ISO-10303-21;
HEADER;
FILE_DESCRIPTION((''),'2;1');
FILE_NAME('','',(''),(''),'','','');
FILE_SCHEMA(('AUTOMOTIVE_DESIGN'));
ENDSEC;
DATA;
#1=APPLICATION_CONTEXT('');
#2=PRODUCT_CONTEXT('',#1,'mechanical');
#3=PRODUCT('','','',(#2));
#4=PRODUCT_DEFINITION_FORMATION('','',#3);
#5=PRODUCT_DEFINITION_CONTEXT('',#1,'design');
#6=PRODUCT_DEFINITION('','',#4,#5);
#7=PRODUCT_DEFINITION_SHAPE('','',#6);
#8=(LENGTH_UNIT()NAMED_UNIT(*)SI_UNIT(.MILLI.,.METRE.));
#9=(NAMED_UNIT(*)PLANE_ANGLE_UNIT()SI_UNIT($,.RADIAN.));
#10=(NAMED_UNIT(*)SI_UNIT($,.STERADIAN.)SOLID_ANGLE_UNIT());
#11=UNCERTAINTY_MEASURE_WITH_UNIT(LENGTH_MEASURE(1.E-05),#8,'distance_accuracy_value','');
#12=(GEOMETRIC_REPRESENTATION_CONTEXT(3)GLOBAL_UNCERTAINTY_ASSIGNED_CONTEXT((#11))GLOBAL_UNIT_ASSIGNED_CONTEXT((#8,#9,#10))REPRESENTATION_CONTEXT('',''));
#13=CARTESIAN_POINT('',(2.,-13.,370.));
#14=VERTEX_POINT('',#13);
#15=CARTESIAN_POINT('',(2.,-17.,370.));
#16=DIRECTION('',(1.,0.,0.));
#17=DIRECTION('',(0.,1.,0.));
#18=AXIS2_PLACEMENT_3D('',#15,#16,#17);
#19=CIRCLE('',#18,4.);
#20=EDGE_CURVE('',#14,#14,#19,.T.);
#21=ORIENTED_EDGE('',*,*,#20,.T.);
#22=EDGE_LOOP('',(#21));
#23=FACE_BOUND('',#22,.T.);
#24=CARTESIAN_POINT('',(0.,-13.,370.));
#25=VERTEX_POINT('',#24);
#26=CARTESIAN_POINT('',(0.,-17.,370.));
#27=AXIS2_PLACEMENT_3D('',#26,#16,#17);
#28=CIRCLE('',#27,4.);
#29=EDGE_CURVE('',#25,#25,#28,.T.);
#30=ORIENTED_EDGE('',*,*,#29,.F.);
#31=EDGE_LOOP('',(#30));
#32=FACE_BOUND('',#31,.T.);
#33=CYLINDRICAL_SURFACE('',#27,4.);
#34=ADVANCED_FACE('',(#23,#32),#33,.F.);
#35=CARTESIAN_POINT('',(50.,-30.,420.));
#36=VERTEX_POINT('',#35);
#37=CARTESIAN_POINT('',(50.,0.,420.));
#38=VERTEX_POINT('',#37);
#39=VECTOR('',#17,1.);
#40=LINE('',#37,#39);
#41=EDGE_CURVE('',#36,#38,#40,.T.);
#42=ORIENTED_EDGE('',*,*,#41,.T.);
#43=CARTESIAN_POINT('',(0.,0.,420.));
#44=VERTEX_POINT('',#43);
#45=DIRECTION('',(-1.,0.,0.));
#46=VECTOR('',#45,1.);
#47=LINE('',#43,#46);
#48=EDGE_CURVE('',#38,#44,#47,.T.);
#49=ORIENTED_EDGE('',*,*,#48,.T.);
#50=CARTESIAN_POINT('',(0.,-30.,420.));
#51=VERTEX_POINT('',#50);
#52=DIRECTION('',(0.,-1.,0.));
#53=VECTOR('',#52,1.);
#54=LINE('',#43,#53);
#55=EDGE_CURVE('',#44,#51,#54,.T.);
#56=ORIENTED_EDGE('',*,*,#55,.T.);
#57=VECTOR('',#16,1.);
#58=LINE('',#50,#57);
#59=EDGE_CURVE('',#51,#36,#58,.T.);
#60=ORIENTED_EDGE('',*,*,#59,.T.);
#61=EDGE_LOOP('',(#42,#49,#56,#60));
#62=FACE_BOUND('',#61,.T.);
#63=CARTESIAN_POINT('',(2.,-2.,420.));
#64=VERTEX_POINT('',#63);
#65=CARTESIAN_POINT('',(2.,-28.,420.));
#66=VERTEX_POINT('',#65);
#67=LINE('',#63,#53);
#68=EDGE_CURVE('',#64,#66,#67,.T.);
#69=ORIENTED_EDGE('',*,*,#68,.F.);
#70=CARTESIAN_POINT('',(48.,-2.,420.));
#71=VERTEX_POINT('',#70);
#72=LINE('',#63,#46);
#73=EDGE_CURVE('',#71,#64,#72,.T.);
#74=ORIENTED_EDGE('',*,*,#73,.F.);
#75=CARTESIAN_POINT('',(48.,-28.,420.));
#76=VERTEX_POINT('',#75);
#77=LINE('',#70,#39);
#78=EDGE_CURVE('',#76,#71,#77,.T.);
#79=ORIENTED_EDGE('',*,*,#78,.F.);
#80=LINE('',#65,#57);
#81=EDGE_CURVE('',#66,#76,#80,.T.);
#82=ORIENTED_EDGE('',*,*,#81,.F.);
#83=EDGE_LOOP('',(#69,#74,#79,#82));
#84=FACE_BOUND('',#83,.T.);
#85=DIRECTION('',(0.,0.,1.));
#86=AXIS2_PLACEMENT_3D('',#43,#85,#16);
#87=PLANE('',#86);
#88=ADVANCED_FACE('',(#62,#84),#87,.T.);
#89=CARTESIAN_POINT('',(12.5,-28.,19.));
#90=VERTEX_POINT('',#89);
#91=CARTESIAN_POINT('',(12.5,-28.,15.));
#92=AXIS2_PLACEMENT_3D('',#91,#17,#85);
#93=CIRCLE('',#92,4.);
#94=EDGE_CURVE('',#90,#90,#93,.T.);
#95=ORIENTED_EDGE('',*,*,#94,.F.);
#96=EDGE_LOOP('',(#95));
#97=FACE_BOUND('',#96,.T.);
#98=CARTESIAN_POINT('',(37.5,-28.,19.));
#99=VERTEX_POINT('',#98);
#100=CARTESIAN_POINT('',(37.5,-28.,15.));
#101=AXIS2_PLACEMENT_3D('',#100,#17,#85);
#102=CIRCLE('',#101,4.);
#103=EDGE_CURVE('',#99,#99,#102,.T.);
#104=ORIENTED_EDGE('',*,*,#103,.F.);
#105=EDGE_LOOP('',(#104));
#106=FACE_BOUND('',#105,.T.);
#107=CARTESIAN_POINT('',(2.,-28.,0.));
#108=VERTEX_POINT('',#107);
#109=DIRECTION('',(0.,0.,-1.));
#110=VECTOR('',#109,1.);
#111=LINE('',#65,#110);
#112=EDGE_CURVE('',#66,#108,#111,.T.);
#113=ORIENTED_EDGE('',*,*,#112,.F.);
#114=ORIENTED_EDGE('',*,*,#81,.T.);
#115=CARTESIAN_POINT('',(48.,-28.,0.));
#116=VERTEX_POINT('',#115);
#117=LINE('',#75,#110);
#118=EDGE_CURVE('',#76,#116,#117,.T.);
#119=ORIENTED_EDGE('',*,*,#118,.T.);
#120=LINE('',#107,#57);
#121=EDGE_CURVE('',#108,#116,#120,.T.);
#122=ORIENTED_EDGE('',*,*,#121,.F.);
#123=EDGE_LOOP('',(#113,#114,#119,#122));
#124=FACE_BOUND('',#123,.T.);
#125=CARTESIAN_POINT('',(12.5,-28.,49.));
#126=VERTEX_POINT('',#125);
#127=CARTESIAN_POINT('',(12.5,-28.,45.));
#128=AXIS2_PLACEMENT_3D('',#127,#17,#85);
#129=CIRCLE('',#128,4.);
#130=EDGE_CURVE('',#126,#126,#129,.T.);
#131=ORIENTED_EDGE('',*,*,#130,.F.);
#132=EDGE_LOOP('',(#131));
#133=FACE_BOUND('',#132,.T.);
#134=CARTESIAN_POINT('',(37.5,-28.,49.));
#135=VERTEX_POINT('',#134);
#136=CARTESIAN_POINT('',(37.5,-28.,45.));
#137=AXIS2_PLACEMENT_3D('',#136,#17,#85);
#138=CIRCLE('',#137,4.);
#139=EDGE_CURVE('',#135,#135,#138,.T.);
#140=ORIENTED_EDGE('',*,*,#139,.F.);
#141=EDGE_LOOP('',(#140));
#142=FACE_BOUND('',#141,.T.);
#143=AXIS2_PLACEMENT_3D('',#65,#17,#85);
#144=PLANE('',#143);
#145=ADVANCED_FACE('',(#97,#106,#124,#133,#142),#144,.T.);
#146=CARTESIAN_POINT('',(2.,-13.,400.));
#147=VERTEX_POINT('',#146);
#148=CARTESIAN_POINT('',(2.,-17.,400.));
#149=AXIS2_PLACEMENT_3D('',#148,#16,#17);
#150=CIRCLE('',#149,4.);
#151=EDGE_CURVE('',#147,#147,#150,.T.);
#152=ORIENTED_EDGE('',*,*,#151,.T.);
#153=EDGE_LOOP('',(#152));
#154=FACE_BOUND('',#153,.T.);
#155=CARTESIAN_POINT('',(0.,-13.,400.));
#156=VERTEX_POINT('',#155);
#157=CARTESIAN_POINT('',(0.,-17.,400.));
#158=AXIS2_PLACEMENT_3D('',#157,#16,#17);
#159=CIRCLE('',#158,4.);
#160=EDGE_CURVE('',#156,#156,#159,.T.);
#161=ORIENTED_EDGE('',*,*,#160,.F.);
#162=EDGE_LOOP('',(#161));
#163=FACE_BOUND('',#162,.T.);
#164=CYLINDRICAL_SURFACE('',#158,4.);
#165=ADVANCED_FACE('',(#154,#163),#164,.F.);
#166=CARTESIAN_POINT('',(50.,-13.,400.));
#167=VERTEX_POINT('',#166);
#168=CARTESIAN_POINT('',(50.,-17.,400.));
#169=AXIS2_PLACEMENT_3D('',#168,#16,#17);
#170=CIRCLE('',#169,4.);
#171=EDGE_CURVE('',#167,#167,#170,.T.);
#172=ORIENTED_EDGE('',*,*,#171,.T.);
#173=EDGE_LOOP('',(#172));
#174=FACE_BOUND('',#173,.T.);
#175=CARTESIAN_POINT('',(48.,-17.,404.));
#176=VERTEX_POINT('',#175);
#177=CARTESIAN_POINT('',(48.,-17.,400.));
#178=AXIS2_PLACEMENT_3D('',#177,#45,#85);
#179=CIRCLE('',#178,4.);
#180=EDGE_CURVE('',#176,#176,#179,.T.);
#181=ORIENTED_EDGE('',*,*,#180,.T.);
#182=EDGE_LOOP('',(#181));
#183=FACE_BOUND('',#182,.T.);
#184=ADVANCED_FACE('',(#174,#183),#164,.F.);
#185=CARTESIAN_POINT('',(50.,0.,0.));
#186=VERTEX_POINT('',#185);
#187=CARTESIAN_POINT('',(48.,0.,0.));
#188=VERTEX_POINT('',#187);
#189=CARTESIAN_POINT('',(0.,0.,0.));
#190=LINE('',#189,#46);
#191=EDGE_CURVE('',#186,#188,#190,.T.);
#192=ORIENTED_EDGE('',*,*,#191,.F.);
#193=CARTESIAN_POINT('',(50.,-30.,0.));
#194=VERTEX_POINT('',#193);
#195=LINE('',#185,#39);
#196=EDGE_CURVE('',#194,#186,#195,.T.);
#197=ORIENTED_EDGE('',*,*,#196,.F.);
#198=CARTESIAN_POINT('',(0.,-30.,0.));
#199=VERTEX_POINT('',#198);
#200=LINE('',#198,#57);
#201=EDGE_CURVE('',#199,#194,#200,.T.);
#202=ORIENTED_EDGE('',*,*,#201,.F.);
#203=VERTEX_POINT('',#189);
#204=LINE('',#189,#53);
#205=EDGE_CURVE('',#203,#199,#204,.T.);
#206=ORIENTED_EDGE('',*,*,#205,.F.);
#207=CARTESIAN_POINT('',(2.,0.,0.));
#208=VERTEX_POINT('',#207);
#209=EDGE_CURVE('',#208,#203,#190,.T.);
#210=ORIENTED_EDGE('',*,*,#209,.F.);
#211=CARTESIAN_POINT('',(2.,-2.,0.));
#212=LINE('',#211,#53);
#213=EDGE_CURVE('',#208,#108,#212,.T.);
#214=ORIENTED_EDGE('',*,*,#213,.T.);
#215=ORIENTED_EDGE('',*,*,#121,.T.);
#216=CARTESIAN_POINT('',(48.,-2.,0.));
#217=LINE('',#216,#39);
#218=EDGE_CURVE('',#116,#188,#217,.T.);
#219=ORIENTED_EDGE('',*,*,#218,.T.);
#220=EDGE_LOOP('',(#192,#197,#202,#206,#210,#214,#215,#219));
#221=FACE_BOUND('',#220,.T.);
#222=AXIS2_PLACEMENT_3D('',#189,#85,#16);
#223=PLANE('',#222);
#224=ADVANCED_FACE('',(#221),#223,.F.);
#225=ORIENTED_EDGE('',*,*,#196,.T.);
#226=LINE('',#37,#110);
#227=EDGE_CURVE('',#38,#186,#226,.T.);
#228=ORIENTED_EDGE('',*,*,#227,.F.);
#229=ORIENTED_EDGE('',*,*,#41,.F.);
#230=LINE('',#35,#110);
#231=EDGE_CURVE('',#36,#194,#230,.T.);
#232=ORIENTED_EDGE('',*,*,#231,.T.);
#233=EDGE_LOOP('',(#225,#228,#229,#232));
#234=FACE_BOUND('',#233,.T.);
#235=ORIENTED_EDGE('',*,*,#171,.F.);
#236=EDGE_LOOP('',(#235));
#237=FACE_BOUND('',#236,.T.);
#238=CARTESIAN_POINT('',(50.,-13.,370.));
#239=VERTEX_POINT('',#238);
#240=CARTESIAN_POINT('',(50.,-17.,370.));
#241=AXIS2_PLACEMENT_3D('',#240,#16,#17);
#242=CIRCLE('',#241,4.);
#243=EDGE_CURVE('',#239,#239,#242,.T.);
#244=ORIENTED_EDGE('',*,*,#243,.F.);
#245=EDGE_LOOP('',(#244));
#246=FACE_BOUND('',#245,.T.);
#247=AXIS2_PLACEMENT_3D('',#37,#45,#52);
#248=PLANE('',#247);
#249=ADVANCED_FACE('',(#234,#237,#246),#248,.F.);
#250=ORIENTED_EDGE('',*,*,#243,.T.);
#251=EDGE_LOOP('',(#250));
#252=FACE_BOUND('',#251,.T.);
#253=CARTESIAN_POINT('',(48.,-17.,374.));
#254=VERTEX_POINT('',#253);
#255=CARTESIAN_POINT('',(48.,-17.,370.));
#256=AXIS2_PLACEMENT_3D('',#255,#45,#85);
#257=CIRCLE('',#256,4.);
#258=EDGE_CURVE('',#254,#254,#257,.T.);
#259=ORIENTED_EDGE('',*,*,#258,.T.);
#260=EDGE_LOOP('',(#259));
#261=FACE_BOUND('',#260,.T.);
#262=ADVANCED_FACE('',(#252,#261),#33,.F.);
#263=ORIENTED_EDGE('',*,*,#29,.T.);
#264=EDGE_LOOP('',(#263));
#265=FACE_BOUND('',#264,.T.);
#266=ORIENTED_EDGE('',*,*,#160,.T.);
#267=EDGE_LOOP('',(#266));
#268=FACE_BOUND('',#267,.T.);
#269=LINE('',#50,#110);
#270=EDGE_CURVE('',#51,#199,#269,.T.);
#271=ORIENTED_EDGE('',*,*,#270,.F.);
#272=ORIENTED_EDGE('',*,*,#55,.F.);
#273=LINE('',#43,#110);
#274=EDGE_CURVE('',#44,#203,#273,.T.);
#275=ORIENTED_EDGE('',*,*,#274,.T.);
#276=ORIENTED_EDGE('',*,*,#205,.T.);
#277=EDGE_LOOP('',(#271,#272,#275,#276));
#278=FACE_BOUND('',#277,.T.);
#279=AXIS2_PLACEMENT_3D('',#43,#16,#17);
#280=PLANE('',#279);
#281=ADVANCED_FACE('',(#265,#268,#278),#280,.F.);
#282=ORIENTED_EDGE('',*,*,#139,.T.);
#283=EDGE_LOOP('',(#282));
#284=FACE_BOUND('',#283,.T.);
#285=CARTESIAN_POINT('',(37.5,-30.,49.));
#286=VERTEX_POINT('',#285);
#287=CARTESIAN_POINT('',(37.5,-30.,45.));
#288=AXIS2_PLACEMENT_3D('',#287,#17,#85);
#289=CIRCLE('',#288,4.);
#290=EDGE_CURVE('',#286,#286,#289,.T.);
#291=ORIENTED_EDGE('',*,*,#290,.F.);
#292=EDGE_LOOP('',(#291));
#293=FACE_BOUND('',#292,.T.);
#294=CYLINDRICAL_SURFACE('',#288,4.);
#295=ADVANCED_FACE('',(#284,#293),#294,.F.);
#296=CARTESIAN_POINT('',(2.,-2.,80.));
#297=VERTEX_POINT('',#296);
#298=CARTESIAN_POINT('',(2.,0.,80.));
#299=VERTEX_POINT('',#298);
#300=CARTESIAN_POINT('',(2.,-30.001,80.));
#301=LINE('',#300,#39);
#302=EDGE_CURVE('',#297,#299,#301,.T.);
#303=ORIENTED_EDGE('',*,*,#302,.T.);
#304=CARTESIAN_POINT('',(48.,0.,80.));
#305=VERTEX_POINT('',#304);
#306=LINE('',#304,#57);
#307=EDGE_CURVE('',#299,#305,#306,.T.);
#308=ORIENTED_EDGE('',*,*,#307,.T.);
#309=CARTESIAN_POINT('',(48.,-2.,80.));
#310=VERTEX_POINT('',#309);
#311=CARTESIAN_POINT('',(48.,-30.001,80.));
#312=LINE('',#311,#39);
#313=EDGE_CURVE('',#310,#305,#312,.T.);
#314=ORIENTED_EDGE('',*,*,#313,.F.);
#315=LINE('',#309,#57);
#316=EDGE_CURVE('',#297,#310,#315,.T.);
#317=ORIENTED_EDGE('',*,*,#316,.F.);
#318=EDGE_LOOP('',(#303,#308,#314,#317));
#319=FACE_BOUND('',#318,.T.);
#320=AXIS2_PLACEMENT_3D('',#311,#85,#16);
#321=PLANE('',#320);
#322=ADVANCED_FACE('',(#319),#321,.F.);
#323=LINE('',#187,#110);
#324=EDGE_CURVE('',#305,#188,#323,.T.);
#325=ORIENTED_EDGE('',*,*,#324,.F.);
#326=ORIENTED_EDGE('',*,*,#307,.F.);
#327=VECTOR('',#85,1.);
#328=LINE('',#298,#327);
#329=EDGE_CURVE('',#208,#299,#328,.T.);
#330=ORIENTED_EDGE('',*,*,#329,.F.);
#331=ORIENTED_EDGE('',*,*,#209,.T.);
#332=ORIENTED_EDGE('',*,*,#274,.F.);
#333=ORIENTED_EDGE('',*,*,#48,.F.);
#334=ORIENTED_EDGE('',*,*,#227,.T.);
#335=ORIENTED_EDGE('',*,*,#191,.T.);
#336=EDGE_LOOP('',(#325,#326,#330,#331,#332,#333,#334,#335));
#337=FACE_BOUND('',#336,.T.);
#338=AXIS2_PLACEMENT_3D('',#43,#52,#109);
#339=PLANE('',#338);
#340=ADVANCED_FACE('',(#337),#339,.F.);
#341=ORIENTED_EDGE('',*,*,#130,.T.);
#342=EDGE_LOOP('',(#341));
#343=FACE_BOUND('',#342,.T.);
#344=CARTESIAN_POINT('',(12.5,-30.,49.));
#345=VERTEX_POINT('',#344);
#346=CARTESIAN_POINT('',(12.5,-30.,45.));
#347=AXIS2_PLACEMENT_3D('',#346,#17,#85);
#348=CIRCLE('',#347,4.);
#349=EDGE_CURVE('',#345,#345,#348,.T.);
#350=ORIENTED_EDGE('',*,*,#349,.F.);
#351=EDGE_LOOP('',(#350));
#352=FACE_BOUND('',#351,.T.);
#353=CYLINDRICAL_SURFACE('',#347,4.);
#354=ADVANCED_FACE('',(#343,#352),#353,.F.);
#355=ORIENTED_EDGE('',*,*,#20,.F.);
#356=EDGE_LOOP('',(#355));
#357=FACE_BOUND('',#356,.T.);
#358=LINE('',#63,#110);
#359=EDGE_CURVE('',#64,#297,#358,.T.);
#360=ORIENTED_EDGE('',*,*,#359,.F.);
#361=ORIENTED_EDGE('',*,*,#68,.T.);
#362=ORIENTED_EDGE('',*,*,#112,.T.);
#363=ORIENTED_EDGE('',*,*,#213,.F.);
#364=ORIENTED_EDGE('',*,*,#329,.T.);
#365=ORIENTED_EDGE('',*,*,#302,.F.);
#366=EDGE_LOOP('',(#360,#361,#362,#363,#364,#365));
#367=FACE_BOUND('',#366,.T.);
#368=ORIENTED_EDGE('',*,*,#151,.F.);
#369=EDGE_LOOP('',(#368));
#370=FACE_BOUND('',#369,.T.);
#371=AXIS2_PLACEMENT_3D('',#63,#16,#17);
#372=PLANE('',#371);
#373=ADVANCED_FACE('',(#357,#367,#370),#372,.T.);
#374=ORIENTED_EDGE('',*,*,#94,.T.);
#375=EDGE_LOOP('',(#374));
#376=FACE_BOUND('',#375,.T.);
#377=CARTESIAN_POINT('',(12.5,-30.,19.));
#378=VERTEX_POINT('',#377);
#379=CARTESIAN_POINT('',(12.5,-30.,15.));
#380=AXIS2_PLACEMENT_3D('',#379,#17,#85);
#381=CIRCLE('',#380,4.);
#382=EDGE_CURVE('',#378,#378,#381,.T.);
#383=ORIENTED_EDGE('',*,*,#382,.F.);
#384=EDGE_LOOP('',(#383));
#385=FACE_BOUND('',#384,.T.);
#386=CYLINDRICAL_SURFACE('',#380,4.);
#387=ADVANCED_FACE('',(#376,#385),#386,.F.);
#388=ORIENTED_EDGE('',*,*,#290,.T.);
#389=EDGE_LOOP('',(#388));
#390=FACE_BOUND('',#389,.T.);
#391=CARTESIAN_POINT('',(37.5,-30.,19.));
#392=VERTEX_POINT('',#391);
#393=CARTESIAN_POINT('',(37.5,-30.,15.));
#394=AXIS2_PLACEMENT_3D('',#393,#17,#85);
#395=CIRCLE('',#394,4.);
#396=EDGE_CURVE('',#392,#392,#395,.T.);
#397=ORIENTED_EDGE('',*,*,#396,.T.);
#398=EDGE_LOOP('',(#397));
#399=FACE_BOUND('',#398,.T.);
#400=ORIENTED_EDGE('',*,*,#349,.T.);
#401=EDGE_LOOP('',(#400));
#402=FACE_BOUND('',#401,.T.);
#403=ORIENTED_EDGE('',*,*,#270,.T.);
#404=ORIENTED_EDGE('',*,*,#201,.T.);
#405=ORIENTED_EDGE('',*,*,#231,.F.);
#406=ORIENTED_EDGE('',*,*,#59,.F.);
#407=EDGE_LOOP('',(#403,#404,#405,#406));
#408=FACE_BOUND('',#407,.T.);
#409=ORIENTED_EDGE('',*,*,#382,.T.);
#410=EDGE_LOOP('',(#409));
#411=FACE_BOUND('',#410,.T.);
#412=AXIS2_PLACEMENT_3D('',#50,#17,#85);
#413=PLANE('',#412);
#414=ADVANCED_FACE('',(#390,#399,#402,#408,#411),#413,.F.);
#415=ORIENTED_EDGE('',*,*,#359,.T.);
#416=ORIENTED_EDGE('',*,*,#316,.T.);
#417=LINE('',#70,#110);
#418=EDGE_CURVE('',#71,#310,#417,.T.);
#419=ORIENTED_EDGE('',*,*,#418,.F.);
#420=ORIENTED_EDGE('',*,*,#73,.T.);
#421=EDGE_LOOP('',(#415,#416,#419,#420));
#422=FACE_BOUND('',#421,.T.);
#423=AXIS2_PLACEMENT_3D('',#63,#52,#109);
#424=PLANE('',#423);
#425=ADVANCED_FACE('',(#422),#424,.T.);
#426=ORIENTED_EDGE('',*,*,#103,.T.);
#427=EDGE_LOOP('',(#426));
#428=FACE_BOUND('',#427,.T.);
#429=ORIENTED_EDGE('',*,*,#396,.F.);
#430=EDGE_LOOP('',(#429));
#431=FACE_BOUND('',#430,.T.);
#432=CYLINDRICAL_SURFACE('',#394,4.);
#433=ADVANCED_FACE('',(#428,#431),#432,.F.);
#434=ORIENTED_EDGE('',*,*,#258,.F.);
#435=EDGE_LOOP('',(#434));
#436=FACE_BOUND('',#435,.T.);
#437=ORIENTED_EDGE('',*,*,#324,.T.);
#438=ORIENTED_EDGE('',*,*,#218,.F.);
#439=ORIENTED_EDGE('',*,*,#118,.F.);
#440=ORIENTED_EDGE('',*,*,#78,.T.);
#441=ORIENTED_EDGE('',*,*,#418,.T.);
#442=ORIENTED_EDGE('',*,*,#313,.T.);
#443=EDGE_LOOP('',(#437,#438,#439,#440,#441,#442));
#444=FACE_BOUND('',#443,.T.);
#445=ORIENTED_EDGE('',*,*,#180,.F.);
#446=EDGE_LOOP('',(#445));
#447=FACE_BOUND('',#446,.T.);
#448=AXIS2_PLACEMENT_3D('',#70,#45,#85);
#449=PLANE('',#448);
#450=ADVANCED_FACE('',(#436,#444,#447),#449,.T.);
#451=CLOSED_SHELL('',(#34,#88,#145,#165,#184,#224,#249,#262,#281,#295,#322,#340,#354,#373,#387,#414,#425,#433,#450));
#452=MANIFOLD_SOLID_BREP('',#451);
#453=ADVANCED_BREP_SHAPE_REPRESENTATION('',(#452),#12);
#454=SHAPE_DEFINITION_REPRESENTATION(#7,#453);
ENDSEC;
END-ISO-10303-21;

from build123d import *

# Parameters (mm, degrees)
SKETCH1_W           = 50
SKETCH1_H           = 30
SKETCH1_W_2         = 46
SKETCH1_H_2         = 26
BOSS_EXTRUDE1_DEPTH = 420
SKETCH7_R           = 4
CUT_EXTRUDE2_DEPTH  = 424.89149555
SKETCH8_R           = 4
CUT_EXTRUDE3_DEPTH  = 425.028300942
CUT_EXTRUDE4_REACH  = 426.028
SKETCH9_W           = 46
SKETCH9_H           = 80


with BuildPart() as part:
    # Sketch1 → Boss-Extrude1 (new body)
    with BuildSketch(Plane.XY):
        with Locations((25, -15)):
            Rectangle(SKETCH1_W, SKETCH1_H)
        with Locations((25, -15)):
            Rectangle(SKETCH1_W_2, SKETCH1_H_2, mode=Mode.SUBTRACT)
    extrude(amount=BOSS_EXTRUDE1_DEPTH)

    # Sketch7 → Cut-Extrude2 (cut, through all)
    with BuildSketch(Plane(origin=(0, -28, 0), x_dir=(1, 0, 0), z_dir=(0, 1, 0))):
        with Locations(Location((37.5, -45, 0), (0, 0, 270))):
            Circle(SKETCH7_R)
        with Locations(Location((12.5, -45, 0), (0, 0, 270))):
            Circle(SKETCH7_R)
        with Locations(Location((12.5, -15, 0), (0, 0, 270))):
            Circle(SKETCH7_R)
        with Locations(Location((37.5, -15, 0), (0, 0, 270))):
            Circle(SKETCH7_R)
    extrude(amount=-CUT_EXTRUDE2_DEPTH, mode=Mode.SUBTRACT)

    # Sketch8 → Cut-Extrude3 (cut, through all)
    with BuildSketch(Plane(origin=(50, 0, 0), x_dir=(0, 0, -1), z_dir=(1, 0, 0))):
        with Locations(Location((-400, -17, 0), (0, 0, 90))):
            Circle(SKETCH8_R)
        with Locations(Location((-370, -17, 0), (0, 0, 90))):
            Circle(SKETCH8_R)
    extrude(amount=-CUT_EXTRUDE3_DEPTH, mode=Mode.SUBTRACT)

    # Sketch9 → Cut-Extrude4 (cut, up to next)
    with BuildSketch(Plane(origin=(0, 0, 0), x_dir=(1, 0, 0), z_dir=(0, 1, 0)), mode=Mode.PRIVATE) as cut_extrude4_sk1:
        with Locations((25, -40)):
            Rectangle(SKETCH9_W, SKETCH9_H)
    cut_extrude4_tool1 = extrude(cut_extrude4_sk1.sketch, amount=-CUT_EXTRUDE4_REACH, mode=Mode.PRIVATE) & part.part
    add(cut_extrude4_tool1.solids().sort_by_distance((25, 0, 40))[0], mode=Mode.SUBTRACT)


solid = part.part
